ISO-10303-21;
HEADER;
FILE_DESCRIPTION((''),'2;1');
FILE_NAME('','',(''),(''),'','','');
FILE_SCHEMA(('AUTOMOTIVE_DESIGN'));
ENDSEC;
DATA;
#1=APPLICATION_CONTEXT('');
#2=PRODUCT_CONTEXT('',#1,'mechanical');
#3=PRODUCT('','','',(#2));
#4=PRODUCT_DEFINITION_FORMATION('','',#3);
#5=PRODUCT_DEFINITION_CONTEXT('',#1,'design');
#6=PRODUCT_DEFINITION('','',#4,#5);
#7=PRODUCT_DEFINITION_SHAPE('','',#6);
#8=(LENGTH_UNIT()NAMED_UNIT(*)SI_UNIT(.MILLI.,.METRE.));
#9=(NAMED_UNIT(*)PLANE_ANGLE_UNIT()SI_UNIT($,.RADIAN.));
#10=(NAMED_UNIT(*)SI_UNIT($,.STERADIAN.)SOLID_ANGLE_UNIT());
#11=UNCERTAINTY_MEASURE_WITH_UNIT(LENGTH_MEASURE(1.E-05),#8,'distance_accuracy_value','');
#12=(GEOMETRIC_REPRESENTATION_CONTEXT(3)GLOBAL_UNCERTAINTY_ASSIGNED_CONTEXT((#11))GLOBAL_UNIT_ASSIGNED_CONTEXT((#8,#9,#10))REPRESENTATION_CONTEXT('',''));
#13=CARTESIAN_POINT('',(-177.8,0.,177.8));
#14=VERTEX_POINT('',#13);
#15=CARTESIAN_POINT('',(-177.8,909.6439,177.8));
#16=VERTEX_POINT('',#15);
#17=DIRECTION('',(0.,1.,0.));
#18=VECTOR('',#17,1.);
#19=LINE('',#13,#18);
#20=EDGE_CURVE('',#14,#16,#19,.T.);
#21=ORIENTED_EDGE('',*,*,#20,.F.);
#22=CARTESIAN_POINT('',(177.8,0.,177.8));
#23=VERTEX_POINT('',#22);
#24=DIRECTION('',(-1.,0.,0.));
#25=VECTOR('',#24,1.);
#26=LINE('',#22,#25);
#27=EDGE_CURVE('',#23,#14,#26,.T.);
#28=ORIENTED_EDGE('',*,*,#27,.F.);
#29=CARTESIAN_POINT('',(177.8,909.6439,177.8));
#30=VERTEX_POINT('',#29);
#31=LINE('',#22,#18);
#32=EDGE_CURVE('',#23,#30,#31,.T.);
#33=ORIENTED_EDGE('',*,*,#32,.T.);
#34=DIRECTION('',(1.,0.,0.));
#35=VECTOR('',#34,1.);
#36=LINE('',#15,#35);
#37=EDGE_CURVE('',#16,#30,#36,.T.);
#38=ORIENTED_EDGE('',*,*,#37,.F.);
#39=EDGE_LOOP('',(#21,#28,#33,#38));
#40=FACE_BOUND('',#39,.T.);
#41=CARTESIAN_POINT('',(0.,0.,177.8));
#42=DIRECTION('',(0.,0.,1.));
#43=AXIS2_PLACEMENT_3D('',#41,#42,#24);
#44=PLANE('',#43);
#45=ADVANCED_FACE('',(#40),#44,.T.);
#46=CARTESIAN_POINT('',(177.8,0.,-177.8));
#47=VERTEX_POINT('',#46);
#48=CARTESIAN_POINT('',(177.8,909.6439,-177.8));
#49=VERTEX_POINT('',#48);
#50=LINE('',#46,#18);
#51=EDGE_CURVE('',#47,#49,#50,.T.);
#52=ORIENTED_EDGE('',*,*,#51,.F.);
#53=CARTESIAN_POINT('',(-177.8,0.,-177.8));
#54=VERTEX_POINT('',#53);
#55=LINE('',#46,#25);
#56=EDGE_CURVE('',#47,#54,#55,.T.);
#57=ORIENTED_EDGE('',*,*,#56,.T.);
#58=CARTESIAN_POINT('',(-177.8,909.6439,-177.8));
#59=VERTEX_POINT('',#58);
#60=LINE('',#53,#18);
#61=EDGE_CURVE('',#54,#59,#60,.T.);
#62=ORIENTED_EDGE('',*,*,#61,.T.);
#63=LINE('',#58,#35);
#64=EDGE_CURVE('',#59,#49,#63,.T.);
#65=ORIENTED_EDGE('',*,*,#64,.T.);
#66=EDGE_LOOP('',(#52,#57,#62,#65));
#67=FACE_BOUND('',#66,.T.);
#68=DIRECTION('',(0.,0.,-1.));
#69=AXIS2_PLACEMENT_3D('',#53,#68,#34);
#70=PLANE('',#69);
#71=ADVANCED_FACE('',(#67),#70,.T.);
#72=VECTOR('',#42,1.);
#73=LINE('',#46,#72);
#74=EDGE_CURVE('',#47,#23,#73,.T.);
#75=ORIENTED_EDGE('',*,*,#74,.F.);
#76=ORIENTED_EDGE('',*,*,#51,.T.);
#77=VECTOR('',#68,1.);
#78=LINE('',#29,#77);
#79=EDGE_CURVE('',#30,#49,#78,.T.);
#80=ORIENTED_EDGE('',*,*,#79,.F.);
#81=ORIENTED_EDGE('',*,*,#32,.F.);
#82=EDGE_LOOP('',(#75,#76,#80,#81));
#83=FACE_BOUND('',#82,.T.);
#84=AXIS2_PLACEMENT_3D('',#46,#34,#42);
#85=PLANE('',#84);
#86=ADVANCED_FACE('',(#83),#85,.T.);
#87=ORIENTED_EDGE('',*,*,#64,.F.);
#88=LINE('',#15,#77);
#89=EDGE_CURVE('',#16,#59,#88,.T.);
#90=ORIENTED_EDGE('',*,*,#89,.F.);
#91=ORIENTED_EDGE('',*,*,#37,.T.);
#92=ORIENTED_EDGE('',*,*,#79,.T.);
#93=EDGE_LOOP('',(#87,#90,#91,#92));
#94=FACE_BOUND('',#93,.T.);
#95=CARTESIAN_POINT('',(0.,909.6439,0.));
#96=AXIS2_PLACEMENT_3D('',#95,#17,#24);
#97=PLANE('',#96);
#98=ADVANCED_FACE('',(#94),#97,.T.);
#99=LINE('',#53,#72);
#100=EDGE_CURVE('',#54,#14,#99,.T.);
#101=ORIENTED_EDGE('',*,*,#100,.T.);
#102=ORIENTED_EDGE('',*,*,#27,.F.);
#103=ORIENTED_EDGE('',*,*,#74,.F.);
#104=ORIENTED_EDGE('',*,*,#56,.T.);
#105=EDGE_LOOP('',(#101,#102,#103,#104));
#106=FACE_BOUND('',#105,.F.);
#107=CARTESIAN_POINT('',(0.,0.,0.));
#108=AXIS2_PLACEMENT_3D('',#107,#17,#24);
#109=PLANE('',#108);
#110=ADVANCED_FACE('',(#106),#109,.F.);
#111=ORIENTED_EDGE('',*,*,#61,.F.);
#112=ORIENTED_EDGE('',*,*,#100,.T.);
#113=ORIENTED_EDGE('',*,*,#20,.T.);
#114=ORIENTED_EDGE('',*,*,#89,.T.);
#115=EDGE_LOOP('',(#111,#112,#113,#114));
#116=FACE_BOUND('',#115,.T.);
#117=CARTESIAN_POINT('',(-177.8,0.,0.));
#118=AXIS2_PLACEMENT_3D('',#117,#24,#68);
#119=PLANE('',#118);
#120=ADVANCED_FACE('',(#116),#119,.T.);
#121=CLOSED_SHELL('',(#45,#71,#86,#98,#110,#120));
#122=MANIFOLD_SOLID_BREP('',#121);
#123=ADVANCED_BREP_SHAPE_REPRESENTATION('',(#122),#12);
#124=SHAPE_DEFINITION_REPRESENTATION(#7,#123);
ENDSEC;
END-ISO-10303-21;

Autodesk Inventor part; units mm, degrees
ref_plane "YZ Plane" through (0, 0, 0) normal (1, 0, 0) x (0, 1, 0)
ref_plane "XZ Plane" through (0, 0, 0) normal (0, 1, 0) x (-1, 0, 0)
ref_plane "XY Plane" through (0, 0, 0) normal (0, 0, 1) x (1, 0, 0)
sketch "Sketch1" plane through (0, 0, 0) normal (0, 1, 0) x (-1, 0, 0)
  line L0 (177.8, -177.8) -> (-177.8, -177.8)
  line L1 (-177.8, -177.8) -> (-177.8, 177.8)
  line L2 (-177.8, 177.8) -> (177.8, 177.8)
  line L3 (177.8, 177.8) -> (177.8, -177.8)
  line L4 (0, -177.8) -> (0, 177.8)
  line L5 (-177.8, 0) -> (177.8, 0)
  point P0 (0, 0)
  point P1 (0, 0)
  dimension "d3" = 355.6
extrude "Extrusion1" add sketch "Sketch1" along normal blind 909.6439
properties part number "Pier" material "Concrete"
